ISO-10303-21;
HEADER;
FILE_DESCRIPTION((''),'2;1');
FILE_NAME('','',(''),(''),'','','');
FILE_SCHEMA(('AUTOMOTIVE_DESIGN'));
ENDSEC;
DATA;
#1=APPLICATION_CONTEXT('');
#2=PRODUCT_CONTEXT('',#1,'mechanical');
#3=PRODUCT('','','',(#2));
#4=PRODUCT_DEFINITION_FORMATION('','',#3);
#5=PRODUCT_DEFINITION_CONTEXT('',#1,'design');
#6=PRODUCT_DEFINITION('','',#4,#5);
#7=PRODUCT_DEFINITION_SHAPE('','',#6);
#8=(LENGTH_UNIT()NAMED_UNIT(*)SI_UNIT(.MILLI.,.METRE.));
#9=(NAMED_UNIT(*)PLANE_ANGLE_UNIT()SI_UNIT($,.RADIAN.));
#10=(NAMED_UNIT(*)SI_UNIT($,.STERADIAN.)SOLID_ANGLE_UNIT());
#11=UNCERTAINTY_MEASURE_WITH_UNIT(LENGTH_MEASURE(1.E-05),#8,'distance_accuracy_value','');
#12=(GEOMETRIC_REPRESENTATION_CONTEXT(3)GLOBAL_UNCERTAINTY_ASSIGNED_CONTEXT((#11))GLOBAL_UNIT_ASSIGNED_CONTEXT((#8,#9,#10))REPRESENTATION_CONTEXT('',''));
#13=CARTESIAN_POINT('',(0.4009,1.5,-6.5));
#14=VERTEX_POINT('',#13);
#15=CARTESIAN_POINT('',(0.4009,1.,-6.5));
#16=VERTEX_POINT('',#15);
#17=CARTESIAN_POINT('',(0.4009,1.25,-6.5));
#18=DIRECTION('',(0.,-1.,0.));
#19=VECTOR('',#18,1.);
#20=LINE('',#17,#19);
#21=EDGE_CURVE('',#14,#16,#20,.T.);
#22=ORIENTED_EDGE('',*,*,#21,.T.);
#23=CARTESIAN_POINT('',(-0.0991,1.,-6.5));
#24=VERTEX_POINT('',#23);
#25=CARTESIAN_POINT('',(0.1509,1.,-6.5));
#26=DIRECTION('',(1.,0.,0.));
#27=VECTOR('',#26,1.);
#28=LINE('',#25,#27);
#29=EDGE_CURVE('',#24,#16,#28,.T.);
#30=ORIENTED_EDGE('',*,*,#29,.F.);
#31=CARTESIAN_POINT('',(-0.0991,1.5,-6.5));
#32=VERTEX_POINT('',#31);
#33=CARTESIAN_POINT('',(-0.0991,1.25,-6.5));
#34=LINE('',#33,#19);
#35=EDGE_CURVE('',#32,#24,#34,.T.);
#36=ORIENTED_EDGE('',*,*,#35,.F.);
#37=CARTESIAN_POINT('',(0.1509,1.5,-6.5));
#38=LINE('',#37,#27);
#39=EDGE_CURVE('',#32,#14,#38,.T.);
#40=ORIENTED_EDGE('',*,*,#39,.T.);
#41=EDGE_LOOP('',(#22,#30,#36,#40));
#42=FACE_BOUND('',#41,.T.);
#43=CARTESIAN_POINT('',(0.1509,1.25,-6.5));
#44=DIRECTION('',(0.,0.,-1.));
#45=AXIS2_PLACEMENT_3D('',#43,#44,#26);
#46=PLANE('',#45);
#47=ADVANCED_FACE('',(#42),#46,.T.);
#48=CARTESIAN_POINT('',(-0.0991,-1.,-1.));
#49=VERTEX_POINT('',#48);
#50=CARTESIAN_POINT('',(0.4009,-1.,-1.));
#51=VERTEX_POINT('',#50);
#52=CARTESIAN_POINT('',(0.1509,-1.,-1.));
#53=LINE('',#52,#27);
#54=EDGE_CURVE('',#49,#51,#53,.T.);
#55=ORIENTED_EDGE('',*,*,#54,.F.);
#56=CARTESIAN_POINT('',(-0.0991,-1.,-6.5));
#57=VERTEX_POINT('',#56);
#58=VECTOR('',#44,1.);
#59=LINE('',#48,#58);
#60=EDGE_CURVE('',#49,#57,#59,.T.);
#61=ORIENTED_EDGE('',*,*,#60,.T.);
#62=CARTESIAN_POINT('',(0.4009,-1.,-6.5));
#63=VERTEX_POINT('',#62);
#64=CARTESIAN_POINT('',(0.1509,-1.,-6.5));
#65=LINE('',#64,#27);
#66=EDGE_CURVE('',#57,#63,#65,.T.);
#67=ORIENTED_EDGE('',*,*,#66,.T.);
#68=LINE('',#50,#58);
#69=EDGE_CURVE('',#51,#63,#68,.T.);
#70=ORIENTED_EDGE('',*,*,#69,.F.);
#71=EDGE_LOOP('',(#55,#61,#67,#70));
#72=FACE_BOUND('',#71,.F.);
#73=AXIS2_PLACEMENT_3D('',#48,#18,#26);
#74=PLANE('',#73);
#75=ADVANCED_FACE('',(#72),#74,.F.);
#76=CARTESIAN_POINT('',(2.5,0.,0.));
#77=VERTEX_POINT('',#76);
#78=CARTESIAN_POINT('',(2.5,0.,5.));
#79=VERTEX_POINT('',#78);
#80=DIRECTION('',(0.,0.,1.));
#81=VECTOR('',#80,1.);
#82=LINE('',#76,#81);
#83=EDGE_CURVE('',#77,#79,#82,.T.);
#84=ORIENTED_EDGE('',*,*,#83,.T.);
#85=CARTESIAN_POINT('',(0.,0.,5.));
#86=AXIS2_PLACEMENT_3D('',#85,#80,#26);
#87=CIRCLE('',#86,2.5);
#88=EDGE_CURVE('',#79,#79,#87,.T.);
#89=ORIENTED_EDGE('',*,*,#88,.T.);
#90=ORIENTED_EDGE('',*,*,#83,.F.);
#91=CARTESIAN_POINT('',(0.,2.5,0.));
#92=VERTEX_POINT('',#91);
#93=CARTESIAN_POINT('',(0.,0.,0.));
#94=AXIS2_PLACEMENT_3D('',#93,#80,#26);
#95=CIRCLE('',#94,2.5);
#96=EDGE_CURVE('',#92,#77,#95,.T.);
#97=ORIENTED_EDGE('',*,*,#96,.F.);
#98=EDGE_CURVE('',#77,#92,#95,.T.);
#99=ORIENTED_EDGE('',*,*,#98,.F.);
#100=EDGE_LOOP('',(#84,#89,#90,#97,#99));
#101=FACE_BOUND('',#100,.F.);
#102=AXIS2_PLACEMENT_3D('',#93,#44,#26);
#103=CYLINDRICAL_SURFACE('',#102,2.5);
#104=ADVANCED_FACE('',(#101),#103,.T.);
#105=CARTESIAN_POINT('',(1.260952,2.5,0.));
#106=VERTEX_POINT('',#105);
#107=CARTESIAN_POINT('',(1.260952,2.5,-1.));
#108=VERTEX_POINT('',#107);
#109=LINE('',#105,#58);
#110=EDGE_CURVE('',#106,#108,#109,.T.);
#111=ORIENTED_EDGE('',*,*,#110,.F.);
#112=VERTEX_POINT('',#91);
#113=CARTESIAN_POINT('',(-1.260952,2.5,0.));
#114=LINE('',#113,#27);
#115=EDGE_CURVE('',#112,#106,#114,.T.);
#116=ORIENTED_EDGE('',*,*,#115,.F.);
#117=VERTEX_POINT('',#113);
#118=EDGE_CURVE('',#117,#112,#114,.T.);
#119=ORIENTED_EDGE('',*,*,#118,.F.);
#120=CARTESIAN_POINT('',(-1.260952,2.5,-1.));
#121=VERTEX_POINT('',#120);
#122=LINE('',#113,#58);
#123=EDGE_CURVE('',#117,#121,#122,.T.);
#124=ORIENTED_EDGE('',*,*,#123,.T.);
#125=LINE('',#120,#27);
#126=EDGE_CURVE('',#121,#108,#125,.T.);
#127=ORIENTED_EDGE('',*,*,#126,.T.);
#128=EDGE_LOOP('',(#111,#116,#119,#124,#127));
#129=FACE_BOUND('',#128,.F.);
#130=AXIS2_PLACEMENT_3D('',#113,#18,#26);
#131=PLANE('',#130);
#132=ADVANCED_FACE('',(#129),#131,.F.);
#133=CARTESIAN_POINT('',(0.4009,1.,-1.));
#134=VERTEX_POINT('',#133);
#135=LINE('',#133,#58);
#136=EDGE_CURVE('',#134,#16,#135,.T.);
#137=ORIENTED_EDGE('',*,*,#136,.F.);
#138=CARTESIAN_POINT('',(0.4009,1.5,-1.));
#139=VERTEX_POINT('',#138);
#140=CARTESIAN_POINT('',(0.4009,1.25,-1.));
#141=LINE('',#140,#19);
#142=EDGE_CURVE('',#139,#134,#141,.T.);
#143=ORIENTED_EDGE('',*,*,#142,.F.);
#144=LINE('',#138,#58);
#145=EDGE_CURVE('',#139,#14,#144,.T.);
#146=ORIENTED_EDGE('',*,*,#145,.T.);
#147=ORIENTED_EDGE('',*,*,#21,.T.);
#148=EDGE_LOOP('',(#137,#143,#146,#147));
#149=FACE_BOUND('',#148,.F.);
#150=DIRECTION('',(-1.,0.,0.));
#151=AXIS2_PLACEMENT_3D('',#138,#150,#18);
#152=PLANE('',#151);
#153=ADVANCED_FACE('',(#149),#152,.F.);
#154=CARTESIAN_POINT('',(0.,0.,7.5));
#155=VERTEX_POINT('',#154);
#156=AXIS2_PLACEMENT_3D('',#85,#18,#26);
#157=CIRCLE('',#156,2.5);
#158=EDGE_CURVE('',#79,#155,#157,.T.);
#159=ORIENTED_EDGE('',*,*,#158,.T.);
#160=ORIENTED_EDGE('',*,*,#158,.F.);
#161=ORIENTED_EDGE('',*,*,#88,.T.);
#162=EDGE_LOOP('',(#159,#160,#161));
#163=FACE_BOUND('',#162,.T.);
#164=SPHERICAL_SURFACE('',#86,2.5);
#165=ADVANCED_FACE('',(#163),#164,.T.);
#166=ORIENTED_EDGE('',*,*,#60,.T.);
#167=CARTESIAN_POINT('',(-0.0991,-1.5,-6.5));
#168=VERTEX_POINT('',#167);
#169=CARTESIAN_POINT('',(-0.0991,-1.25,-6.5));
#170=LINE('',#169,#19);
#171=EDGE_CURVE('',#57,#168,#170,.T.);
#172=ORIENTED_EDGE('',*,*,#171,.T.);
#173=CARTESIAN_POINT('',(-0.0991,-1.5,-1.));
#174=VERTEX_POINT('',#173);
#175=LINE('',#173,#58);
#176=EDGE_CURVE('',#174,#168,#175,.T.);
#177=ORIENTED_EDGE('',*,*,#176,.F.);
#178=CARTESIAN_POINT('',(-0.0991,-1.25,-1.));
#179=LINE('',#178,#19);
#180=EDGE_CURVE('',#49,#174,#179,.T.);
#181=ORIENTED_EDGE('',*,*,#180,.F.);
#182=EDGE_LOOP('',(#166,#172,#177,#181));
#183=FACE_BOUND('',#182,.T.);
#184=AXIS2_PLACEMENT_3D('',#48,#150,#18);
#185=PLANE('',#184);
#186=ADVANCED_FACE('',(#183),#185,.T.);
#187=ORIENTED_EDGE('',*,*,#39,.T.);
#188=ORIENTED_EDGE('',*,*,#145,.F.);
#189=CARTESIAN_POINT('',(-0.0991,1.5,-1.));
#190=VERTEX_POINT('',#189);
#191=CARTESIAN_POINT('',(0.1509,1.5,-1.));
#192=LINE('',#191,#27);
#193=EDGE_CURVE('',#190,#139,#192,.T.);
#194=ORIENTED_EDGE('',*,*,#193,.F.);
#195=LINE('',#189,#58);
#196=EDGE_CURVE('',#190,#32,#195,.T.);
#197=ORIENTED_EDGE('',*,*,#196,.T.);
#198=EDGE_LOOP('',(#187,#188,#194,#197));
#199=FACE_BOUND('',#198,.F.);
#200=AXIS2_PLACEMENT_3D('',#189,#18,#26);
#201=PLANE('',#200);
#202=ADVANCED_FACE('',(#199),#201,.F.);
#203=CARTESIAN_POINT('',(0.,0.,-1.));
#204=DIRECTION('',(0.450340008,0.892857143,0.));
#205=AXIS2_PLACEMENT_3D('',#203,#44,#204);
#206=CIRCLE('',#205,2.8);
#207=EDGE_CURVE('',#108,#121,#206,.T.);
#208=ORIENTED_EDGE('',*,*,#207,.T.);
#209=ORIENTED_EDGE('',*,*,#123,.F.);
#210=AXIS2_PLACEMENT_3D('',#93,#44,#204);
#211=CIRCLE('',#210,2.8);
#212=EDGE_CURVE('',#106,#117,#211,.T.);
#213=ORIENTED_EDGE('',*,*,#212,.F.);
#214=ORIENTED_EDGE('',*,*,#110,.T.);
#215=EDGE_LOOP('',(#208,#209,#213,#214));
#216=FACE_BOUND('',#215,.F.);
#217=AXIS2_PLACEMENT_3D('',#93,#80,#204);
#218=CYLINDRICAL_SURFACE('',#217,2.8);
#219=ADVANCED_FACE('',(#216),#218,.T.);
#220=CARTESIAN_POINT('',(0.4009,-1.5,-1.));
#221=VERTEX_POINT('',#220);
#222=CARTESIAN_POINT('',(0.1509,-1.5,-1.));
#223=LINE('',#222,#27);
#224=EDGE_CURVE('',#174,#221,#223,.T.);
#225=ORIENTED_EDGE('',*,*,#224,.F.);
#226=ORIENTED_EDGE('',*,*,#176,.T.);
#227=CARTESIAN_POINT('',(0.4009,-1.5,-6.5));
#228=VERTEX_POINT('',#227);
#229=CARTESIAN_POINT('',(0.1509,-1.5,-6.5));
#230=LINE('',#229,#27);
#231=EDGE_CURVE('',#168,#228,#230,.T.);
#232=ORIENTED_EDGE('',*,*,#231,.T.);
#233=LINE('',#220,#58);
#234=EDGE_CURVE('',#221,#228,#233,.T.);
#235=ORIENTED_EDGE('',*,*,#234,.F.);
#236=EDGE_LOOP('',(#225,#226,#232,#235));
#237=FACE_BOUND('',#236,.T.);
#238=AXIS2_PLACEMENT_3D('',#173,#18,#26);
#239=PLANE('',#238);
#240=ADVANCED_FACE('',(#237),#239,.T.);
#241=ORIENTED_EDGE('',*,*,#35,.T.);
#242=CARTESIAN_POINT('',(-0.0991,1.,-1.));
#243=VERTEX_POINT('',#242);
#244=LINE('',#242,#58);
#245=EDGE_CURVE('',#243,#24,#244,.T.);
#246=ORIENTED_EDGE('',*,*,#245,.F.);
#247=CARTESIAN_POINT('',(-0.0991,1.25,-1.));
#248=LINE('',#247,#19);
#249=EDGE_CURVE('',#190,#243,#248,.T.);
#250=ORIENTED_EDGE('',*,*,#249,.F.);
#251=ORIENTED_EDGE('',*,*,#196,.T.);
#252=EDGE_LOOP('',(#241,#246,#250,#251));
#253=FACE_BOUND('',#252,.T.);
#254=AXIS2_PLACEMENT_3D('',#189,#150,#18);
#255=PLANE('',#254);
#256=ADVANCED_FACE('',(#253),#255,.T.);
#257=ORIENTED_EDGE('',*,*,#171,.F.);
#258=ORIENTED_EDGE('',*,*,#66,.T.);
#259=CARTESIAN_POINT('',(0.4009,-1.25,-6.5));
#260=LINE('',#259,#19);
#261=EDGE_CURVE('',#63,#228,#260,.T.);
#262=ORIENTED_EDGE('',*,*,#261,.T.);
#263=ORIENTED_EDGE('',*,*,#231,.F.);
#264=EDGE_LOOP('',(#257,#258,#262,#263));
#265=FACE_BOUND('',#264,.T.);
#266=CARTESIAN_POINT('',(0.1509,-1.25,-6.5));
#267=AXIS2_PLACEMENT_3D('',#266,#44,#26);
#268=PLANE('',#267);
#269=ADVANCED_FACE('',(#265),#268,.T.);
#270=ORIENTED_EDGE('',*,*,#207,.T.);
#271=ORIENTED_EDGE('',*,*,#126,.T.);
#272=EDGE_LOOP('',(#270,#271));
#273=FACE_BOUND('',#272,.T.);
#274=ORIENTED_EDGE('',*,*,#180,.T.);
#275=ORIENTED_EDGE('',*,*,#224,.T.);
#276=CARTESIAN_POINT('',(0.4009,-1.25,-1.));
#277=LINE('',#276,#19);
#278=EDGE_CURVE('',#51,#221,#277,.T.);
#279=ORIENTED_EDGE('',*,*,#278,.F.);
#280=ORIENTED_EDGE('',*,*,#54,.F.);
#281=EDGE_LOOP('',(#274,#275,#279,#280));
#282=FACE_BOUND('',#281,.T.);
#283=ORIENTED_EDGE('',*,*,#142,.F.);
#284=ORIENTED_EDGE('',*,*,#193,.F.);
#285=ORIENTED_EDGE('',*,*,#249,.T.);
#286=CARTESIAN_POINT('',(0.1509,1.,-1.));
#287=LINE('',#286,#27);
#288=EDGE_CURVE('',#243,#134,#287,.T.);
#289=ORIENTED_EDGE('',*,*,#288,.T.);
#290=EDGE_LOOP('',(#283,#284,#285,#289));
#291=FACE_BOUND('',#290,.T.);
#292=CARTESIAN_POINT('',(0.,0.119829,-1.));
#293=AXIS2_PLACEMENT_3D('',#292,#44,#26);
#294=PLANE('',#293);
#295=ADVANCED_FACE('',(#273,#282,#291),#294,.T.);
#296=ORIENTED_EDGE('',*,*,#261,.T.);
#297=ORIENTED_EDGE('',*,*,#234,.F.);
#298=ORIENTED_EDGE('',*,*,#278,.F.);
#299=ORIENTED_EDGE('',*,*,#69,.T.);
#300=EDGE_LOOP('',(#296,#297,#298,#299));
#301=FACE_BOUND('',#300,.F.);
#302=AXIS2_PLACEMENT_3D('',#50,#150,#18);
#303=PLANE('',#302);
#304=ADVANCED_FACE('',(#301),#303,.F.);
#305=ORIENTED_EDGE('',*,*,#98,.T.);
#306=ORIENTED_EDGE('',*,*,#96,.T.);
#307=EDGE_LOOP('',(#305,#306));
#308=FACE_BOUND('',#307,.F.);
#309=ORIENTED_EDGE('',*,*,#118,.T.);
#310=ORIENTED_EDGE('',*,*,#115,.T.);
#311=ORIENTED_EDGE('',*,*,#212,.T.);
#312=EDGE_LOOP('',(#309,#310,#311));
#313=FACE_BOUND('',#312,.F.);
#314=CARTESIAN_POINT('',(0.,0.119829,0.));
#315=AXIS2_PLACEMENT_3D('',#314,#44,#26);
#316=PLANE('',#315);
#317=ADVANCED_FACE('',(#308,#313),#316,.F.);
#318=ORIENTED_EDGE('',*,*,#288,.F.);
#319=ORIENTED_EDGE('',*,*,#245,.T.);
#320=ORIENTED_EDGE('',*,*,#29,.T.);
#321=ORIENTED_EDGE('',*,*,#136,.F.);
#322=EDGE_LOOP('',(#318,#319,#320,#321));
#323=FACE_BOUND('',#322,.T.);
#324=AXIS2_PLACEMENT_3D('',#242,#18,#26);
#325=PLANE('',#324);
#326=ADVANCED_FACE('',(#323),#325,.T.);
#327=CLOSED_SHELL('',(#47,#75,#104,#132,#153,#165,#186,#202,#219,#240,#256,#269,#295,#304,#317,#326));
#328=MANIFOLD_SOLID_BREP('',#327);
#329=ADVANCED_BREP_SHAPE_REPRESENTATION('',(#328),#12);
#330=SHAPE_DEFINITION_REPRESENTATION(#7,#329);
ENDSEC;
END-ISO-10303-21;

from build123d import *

# Parameters (mm, degrees)
F0_R     = 2.5
F1_DEPTH = 7.5
F2_R     = 2.5
F4_DEPTH = 1
F6_W     = 0.5
F6_H     = 0.5
F7_DEPTH = 5.5


with BuildPart() as f1:
    # F0 (on Top) → F1 (new body)
    with BuildSketch(Plane.XY):
        Circle(F0_R)
    extrude(amount=F1_DEPTH)

    # F2
    f2_edges = [f1.edges().sort_by_distance(p)[0] for p in [
        (-2.5, 0, 7.5),
    ]]
    fillet(f2_edges, radius=F2_R)

    # F3 (on face) → F4 (join)
    with BuildSketch(Plane(origin=(0, 0, 0), x_dir=(1, 0, 0), z_dir=(0, 0, -1))):
        with BuildLine():
            Line((-1.2609520213, -2.5), (1.2609520213, -2.5))
            ThreePointArc((1.2609520213, -2.5), (0, 2.8), (-1.2609520213, -2.5))
        make_face()
    extrude(amount=F4_DEPTH)

    # F6 (on offset) → F7 (join)
    with BuildSketch(Plane(origin=(0, 0, -1), x_dir=(1, 0, 0), z_dir=(0, 0, -1))):
        with Locations((0.1509, 1.25)):
            Rectangle(F6_W, F6_H)
        with Locations((0.1509, -1.25)):
            Rectangle(F6_W, F6_H)
    extrude(amount=F7_DEPTH)


solid = f1.part
